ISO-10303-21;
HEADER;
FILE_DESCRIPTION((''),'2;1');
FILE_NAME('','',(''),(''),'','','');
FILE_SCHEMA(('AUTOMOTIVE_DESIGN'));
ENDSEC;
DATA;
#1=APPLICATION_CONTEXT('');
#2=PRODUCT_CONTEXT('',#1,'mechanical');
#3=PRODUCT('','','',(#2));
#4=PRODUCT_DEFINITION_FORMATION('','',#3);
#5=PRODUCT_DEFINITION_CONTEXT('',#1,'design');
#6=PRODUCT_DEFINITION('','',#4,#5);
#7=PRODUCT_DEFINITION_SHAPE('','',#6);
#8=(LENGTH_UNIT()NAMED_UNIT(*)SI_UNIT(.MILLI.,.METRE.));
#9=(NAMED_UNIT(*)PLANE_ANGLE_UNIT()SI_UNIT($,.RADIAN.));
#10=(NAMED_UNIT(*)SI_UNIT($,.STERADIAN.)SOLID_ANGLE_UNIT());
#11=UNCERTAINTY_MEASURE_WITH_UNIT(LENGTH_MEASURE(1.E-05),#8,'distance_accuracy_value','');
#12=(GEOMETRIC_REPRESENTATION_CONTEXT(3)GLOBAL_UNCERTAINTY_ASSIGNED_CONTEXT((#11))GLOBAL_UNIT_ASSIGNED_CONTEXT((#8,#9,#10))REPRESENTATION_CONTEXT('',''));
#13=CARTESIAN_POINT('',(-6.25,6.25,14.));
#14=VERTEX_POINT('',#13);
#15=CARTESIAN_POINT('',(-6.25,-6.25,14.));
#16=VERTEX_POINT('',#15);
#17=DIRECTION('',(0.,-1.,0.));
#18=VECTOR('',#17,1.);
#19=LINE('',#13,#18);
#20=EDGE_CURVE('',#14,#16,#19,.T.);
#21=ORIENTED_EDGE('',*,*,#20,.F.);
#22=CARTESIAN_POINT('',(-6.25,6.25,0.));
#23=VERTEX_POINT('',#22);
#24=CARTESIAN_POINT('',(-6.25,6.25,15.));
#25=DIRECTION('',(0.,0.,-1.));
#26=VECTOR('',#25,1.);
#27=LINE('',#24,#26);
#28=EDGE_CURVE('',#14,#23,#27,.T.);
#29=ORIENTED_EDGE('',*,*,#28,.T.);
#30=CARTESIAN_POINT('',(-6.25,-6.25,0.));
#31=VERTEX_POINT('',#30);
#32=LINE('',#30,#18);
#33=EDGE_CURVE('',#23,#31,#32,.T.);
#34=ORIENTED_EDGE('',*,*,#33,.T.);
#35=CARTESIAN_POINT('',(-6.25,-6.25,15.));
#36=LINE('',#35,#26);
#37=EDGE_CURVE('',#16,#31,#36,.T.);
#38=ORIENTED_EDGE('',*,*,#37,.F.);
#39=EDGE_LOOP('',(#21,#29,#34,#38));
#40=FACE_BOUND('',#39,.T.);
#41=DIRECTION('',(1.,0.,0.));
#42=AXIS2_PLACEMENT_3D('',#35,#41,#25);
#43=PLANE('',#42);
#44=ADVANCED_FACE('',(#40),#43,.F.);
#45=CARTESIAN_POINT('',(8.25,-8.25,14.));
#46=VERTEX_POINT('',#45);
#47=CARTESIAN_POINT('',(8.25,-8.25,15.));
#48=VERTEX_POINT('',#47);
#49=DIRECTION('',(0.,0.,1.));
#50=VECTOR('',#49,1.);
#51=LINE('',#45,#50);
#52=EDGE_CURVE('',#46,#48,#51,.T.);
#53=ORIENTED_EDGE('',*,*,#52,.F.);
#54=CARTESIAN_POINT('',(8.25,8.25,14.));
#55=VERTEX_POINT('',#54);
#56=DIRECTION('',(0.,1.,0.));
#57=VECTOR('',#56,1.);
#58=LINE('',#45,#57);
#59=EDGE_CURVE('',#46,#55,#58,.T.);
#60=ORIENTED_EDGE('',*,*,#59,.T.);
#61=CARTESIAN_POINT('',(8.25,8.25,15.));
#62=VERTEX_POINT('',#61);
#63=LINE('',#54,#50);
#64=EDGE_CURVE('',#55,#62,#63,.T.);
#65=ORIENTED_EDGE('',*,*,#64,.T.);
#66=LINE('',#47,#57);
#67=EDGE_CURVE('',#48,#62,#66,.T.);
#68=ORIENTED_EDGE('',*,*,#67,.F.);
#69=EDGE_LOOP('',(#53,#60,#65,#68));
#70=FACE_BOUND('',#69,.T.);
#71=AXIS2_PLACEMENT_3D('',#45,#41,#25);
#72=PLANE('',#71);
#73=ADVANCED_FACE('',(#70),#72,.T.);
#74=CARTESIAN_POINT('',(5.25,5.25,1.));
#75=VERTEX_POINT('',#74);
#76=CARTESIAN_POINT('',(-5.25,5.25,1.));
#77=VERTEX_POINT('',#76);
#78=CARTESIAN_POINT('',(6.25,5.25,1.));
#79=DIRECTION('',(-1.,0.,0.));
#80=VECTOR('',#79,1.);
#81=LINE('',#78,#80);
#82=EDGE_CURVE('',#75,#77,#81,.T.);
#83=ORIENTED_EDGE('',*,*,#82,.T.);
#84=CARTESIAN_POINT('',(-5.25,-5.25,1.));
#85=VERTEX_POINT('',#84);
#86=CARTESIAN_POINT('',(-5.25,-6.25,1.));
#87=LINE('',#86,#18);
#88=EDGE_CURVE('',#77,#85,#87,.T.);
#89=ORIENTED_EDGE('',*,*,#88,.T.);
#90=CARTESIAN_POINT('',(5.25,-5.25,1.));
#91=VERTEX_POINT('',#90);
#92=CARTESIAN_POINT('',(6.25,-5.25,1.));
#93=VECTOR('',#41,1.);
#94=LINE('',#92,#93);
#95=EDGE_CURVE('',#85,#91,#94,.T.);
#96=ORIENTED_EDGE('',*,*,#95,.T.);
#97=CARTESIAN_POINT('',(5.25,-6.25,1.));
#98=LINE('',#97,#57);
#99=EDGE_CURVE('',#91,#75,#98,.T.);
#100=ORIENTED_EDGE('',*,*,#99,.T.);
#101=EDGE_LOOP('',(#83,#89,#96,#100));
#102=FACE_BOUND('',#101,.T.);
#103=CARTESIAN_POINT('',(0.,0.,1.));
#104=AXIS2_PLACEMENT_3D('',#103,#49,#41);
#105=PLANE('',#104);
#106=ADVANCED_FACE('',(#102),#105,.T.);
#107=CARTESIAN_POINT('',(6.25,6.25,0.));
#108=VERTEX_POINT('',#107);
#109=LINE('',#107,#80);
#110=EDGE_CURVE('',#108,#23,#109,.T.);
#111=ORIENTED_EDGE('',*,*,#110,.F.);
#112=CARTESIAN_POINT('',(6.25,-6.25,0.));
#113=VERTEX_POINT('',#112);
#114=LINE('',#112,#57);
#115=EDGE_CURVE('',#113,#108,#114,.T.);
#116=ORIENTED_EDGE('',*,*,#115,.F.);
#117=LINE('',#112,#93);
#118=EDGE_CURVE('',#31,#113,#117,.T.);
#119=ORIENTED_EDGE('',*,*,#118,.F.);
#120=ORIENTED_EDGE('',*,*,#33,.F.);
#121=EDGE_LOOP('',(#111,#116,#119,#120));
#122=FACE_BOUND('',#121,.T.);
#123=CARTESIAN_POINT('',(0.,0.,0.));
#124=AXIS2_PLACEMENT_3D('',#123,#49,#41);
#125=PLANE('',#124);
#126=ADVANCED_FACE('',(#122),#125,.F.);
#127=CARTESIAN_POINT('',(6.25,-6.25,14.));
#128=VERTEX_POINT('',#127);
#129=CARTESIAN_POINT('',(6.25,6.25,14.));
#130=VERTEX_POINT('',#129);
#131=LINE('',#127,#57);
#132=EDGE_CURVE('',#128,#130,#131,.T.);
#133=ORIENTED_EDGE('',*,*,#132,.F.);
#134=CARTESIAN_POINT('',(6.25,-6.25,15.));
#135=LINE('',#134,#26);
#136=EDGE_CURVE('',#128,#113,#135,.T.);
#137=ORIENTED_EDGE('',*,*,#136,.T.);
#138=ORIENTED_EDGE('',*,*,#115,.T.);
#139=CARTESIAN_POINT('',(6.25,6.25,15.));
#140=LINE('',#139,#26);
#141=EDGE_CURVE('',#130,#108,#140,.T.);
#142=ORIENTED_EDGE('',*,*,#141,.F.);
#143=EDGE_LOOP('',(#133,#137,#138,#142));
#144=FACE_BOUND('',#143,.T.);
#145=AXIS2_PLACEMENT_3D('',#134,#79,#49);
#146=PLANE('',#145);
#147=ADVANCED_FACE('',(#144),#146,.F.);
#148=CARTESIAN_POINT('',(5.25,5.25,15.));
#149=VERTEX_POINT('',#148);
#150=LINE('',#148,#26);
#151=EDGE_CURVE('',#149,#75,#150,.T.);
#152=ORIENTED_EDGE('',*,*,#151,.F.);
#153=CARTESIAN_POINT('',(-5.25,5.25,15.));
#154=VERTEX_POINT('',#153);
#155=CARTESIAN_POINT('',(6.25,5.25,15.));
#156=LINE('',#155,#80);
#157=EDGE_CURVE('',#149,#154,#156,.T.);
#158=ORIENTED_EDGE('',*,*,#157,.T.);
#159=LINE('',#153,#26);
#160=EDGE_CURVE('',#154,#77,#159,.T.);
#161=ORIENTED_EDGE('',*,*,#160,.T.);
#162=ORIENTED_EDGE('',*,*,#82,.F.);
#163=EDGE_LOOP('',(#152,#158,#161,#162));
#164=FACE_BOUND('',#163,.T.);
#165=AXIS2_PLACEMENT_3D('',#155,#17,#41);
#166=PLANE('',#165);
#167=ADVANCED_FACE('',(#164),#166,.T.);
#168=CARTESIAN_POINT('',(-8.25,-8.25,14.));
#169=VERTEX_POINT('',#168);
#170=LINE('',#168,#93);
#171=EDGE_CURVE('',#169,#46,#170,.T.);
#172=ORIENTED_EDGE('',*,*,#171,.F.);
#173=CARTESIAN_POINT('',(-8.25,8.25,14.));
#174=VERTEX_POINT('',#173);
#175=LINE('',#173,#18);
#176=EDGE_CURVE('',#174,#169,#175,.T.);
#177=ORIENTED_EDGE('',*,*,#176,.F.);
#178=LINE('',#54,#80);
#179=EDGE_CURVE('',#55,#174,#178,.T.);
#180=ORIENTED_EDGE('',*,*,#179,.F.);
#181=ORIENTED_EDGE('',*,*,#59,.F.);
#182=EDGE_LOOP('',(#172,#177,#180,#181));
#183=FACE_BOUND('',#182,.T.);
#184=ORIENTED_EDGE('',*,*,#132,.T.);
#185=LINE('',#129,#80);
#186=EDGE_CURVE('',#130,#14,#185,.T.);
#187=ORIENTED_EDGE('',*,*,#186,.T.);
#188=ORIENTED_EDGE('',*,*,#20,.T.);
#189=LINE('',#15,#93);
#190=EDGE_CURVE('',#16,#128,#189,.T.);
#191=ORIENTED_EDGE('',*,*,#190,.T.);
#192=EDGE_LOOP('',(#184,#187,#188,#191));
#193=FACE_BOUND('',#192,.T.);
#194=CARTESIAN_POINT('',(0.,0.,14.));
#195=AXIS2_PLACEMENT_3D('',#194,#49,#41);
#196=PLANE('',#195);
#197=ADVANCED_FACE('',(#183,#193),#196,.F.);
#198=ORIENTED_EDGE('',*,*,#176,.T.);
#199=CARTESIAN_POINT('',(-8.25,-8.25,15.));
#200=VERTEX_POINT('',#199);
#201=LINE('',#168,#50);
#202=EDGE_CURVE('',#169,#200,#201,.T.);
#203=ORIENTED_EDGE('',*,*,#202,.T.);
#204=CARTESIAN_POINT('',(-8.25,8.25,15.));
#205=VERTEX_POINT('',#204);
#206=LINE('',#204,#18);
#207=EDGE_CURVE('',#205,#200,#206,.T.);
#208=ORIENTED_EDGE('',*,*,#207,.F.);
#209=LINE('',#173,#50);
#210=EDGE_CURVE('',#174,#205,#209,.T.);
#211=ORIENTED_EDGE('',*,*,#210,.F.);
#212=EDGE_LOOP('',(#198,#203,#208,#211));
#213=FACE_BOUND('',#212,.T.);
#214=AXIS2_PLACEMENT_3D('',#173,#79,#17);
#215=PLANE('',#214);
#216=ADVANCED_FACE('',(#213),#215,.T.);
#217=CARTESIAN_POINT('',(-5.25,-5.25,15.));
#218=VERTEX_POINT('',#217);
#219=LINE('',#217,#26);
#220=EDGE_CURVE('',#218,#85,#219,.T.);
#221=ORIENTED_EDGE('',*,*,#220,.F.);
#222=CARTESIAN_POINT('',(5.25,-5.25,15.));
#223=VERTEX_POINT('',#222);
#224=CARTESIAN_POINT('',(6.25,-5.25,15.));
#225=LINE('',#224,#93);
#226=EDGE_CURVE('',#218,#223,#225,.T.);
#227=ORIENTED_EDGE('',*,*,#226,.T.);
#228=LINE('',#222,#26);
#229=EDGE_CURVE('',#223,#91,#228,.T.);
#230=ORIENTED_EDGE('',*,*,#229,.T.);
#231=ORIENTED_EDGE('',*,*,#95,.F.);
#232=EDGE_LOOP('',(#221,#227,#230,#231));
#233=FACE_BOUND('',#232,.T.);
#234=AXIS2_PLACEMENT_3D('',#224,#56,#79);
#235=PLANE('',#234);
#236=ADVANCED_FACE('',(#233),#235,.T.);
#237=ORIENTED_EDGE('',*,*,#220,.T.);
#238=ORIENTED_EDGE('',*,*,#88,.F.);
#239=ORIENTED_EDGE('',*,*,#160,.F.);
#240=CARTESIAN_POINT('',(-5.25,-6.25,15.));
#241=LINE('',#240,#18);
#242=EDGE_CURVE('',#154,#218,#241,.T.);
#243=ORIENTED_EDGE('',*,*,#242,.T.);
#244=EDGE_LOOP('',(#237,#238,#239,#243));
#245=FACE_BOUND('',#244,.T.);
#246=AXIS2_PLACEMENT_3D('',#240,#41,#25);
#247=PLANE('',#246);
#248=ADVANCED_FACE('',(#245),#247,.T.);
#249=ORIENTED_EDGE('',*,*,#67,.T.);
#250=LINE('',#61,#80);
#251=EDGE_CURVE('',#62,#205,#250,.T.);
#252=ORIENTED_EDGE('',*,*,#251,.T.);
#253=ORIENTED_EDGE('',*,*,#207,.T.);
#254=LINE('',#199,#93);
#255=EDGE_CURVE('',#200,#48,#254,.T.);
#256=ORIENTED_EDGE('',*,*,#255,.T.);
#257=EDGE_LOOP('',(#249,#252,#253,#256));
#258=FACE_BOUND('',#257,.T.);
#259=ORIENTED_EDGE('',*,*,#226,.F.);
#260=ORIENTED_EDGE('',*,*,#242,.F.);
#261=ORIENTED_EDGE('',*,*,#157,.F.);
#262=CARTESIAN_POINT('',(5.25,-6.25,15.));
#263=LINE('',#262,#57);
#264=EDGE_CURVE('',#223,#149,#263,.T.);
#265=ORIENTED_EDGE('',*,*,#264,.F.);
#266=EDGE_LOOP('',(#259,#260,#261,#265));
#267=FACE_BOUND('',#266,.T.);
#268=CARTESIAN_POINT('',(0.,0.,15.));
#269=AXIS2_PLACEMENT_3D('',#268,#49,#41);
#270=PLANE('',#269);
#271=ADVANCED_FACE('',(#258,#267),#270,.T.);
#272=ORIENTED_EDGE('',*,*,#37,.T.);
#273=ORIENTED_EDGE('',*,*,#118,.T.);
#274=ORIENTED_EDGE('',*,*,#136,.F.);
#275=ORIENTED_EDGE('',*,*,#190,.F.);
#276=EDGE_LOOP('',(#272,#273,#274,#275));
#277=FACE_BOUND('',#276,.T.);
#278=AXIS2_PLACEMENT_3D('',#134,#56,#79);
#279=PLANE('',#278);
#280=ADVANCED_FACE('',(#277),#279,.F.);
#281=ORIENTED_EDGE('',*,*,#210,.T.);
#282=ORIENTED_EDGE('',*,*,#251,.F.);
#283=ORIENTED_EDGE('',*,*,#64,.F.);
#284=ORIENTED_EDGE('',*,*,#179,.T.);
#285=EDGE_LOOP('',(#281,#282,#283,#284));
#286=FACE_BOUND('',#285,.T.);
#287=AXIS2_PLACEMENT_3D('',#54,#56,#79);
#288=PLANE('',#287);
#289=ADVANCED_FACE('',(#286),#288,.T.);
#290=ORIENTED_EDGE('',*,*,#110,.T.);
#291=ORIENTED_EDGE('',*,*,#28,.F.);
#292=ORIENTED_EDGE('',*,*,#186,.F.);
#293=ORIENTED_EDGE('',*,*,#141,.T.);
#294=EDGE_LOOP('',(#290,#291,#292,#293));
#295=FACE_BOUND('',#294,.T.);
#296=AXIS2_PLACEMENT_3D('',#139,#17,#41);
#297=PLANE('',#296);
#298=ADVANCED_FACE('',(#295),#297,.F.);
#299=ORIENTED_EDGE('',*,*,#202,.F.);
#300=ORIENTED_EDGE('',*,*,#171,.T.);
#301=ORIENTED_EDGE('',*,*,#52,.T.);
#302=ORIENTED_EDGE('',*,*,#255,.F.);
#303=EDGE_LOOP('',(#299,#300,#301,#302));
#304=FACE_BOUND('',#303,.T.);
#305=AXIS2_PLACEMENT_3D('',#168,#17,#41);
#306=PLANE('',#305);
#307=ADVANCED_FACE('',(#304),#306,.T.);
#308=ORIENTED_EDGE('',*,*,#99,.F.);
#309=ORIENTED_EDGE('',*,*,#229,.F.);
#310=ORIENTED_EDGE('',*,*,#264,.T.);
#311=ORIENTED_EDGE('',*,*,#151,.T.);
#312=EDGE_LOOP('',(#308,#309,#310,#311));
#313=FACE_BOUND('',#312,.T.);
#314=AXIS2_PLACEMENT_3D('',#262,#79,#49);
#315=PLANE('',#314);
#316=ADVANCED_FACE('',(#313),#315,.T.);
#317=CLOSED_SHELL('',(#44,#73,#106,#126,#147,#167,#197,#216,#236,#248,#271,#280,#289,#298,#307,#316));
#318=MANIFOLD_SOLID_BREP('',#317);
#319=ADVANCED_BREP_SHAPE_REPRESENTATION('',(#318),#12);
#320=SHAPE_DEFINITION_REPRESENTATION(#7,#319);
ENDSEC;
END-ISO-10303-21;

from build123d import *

# Parameters (mm, degrees)
SKETCH1_W           = 12.5
SKETCH1_H           = 12.5
BOSS_EXTRUDE1_DEPTH = 15
SHELL3_T            = -1
SKETCH2_W           = 16.5
SKETCH2_H           = 16.5
SKETCH2_W_2         = 12.5
SKETCH2_H_2         = 12.5
BOSS_EXTRUDE2_DEPTH = 1


with BuildPart() as part:
    # Sketch1 → Boss-Extrude1 (new body)
    with BuildSketch(Plane.XY):
        Rectangle(SKETCH1_W, SKETCH1_H)
    extrude(amount=BOSS_EXTRUDE1_DEPTH)

    # Shell3
    shell3_openings = [part.faces().sort_by_distance(p)[0] for p in [
        (0, 0, 15),
    ]]
    offset(amount=SHELL3_T, openings=shell3_openings, kind=Kind.INTERSECTION)

    # Sketch2 → Boss-Extrude2 (add)
    with BuildSketch(Plane.XY.offset(15)):
        Rectangle(SKETCH2_W, SKETCH2_H)
        Rectangle(SKETCH2_W_2, SKETCH2_H_2, mode=Mode.SUBTRACT)
    extrude(amount=-BOSS_EXTRUDE2_DEPTH)


solid = part.part
